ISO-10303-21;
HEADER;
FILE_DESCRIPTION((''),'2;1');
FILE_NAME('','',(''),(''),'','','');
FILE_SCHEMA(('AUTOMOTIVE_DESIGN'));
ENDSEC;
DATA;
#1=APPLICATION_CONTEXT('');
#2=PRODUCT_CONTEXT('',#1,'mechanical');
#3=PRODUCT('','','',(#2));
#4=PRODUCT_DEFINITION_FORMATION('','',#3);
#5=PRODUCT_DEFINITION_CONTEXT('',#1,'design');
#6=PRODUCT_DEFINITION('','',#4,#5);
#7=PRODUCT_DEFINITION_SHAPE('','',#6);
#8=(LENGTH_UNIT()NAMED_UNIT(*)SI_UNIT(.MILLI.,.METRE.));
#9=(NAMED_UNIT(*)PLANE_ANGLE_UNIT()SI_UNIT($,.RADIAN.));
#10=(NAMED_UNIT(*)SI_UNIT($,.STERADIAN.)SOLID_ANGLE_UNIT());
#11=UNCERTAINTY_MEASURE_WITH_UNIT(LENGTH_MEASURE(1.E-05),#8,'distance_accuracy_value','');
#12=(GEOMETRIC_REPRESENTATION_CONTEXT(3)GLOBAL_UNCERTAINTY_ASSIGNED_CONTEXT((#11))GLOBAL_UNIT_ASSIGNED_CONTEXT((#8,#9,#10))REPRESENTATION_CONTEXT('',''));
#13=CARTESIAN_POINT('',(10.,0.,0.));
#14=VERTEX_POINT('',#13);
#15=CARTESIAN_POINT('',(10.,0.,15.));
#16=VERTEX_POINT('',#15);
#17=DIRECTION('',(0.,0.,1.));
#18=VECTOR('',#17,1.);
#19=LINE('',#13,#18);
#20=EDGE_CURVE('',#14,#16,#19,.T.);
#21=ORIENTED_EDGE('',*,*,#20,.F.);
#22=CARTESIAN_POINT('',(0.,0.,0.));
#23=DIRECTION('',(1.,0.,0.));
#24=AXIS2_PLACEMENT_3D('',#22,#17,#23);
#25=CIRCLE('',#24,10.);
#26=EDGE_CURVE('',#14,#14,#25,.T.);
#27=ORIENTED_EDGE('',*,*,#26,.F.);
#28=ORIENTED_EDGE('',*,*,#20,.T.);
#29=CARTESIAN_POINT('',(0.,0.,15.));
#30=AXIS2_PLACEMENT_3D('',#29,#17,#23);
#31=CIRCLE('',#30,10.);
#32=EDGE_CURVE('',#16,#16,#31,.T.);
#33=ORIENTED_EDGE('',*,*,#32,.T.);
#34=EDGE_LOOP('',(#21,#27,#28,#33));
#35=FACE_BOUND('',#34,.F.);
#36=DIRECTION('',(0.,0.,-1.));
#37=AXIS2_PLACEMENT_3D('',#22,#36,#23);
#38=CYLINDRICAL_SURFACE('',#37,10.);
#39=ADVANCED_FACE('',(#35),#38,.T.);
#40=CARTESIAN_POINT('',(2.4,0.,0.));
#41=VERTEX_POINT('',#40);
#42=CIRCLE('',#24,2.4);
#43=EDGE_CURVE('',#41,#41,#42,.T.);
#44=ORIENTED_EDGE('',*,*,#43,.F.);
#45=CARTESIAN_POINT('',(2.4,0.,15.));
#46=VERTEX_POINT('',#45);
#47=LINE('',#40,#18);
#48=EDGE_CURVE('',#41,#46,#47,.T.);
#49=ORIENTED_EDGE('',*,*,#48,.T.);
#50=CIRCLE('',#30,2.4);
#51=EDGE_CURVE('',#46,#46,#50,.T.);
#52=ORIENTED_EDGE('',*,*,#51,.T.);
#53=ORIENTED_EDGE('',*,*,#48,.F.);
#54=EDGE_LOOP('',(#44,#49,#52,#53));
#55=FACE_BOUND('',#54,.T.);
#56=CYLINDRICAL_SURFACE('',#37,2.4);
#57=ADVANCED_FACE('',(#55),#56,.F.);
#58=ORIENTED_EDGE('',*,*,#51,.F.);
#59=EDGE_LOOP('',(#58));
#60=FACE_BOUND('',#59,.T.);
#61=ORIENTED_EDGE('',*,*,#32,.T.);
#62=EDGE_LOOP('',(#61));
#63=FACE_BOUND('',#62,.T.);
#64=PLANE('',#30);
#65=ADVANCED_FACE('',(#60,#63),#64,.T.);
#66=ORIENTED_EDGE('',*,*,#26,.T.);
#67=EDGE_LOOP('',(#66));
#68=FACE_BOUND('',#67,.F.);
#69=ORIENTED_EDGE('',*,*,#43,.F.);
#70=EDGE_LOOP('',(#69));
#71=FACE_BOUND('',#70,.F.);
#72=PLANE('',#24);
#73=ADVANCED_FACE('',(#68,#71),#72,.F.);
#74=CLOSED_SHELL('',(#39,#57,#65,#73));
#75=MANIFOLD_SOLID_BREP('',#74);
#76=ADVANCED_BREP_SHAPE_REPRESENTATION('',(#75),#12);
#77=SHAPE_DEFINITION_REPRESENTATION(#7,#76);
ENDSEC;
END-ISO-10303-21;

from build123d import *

# Parameters (mm, degrees)
SKETCH_R      = 10
SKETCH_R_2    = 2.4
EXTRUDE_DEPTH = 15


with BuildPart() as part:
    # Sketch → Extrude (new body)
    with BuildSketch(Plane.XY):
        Circle(SKETCH_R)
        Circle(SKETCH_R_2, mode=Mode.SUBTRACT)
    extrude(amount=EXTRUDE_DEPTH)


solid = part.part
